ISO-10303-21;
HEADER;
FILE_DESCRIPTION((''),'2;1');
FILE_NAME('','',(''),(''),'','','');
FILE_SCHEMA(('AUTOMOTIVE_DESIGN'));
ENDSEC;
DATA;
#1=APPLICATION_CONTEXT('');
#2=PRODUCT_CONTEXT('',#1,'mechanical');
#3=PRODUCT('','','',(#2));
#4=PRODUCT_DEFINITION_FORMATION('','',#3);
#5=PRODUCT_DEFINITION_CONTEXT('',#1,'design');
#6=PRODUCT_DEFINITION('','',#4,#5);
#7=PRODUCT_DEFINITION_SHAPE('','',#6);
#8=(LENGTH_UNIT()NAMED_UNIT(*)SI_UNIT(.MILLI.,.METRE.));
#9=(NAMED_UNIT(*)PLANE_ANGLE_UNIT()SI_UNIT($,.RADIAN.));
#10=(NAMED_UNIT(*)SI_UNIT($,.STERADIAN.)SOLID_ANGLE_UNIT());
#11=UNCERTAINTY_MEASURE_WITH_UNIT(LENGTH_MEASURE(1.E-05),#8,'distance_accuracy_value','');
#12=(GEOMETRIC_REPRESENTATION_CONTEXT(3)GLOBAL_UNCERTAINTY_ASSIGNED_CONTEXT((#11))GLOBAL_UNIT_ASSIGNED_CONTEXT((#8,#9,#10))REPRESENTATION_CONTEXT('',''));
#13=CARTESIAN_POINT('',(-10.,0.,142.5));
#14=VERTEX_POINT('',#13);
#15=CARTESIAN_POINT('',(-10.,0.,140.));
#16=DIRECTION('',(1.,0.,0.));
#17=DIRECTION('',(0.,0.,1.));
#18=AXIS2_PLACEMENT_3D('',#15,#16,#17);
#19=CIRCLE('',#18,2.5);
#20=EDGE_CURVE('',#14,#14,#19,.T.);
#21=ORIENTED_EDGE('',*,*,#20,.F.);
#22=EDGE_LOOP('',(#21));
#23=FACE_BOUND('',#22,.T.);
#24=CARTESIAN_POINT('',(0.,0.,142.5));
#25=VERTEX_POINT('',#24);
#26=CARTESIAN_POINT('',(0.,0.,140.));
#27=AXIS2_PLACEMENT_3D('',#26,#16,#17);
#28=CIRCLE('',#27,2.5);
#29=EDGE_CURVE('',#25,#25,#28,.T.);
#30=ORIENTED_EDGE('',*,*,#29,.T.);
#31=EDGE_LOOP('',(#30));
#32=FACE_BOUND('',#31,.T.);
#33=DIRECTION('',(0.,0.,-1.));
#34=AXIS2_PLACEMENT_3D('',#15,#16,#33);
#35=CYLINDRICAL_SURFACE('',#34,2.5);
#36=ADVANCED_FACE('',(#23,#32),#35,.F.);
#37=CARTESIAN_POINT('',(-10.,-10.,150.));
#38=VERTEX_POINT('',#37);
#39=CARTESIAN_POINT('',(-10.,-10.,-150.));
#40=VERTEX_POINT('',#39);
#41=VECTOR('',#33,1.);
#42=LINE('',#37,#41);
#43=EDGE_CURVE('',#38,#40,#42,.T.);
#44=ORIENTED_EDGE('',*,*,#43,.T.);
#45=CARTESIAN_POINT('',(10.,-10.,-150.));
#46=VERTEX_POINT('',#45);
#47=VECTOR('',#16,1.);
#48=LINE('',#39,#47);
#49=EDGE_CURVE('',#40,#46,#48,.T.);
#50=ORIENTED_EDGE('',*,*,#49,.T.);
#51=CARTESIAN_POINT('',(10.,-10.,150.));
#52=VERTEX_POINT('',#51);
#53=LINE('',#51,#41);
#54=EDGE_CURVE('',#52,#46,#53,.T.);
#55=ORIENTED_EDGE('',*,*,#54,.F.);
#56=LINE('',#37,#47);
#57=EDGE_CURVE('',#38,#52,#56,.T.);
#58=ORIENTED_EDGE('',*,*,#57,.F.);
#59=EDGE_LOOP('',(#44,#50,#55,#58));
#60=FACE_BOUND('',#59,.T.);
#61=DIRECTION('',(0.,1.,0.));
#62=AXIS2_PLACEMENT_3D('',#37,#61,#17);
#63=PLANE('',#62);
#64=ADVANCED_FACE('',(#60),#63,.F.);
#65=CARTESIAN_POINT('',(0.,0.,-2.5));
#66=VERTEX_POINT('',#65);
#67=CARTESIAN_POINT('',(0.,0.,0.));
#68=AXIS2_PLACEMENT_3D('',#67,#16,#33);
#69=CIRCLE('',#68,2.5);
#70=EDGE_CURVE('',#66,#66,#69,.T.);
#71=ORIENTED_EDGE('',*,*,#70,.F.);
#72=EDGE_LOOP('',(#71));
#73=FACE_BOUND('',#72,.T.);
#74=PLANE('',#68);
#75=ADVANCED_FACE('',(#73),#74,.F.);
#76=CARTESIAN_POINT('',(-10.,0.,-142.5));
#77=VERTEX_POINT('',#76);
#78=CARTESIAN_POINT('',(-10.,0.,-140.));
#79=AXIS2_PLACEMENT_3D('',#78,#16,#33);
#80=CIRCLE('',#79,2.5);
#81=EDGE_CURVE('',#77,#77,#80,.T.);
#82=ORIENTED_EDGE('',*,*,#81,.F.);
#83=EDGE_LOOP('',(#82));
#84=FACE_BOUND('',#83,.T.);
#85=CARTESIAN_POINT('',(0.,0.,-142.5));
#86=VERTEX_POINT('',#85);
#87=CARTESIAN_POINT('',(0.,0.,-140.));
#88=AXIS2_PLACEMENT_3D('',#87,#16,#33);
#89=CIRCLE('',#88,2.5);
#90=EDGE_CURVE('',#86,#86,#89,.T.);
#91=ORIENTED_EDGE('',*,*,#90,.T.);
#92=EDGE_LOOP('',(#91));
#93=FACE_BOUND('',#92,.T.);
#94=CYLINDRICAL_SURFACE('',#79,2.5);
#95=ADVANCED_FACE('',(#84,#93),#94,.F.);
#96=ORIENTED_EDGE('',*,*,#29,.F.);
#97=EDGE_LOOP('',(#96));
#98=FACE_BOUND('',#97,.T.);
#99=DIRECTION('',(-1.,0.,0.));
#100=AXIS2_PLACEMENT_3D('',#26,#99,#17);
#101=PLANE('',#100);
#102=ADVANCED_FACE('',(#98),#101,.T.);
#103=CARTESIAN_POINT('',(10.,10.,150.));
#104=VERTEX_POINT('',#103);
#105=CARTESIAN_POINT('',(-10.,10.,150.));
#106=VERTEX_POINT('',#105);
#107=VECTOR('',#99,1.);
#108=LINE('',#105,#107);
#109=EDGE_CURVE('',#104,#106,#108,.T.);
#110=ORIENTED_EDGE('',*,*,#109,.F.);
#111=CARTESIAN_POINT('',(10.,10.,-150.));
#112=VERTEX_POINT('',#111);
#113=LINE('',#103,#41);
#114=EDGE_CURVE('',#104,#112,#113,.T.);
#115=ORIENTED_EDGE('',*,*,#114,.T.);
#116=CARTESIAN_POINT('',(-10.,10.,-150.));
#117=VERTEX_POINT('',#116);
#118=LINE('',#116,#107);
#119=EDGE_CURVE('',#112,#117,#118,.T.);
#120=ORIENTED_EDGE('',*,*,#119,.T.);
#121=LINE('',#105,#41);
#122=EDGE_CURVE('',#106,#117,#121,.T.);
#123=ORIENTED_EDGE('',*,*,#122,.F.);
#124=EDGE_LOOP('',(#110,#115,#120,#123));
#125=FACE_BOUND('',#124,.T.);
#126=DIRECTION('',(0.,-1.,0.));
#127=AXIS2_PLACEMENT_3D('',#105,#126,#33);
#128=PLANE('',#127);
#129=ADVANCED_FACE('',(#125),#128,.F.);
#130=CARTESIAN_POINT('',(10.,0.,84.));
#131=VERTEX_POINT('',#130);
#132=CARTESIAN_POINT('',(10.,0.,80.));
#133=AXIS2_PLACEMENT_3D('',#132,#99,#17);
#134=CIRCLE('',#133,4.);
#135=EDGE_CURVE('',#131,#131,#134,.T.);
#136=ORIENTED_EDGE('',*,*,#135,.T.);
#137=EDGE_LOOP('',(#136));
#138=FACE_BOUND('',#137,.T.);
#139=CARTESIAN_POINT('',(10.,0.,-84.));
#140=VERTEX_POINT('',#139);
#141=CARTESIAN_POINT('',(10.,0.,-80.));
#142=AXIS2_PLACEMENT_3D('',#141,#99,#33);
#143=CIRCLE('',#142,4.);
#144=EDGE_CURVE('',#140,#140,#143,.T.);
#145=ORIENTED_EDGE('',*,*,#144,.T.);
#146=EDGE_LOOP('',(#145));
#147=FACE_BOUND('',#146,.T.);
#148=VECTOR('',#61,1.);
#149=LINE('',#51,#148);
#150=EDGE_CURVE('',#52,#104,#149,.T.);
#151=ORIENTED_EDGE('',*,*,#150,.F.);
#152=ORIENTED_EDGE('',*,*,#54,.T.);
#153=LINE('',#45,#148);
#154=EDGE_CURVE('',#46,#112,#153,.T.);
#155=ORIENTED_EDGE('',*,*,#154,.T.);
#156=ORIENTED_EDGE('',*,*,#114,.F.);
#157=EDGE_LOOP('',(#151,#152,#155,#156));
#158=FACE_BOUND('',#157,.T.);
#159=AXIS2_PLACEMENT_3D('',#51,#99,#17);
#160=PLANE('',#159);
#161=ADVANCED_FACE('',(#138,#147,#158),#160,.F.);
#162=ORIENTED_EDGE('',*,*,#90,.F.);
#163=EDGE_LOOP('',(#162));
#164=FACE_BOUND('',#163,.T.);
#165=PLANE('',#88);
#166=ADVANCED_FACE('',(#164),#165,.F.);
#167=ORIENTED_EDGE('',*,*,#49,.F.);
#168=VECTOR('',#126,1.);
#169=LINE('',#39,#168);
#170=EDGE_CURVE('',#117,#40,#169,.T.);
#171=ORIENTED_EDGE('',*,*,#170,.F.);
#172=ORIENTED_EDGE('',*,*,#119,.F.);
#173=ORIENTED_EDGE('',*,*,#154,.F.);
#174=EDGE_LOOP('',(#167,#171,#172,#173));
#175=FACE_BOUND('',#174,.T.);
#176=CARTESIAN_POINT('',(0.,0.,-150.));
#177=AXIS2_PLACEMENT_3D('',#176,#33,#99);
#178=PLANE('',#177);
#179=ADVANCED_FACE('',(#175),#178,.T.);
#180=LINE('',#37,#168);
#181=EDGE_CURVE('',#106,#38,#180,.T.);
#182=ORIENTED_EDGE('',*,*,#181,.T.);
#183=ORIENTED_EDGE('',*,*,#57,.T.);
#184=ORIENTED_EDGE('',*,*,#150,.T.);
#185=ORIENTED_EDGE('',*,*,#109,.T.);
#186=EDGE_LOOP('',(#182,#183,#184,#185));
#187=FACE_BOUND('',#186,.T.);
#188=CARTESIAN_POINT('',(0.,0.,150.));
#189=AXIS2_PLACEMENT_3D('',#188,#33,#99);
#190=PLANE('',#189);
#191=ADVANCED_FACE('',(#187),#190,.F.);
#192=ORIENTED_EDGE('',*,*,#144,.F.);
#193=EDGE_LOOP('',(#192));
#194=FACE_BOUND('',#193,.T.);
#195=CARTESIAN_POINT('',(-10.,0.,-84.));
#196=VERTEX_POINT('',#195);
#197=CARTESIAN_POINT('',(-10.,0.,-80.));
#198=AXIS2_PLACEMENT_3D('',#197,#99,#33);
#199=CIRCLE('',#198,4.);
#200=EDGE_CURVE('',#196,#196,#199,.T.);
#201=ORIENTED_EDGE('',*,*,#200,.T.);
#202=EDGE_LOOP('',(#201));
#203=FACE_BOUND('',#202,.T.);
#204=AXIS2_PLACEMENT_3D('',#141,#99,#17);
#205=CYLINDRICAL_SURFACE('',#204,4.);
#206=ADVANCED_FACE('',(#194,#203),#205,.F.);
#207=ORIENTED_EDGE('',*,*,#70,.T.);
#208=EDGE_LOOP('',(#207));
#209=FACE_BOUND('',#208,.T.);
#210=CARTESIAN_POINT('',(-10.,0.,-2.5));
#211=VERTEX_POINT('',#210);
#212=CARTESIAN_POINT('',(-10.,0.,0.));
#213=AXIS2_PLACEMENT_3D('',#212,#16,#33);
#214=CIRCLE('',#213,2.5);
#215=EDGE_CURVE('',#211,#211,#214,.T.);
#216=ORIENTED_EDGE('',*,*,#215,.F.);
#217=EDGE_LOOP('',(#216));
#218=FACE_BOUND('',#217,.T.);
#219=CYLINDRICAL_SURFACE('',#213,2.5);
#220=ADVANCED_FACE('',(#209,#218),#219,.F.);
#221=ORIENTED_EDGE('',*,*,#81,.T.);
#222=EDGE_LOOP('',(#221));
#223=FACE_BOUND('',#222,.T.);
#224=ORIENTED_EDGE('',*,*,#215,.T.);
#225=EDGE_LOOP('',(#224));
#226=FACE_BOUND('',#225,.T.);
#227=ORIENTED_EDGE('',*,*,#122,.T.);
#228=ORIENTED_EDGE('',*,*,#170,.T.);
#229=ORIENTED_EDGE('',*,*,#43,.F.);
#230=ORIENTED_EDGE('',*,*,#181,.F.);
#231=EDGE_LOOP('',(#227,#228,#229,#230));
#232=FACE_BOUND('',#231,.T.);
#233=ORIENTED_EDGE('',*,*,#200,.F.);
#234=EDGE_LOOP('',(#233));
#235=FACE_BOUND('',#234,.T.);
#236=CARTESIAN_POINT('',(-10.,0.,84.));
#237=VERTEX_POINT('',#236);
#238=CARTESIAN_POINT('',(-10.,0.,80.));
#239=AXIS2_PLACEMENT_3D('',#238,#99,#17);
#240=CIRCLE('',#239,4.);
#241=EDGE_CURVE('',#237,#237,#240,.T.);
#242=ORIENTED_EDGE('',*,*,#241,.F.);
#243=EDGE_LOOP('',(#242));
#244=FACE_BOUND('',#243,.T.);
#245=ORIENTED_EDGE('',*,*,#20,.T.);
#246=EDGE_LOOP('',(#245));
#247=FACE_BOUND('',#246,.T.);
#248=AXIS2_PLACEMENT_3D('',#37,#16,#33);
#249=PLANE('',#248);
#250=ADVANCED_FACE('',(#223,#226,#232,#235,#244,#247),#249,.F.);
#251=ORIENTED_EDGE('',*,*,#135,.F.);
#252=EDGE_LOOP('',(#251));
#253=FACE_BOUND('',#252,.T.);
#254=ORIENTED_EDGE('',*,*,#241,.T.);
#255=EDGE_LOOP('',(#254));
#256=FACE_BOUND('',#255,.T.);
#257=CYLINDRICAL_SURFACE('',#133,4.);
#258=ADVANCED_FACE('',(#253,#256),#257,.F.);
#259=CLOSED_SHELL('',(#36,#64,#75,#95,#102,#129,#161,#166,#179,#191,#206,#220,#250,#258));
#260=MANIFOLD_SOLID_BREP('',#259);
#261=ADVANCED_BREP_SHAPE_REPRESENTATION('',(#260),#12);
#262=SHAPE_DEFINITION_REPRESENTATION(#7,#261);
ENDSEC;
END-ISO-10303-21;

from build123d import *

# Parameters (mm, degrees)
CROQUIS1_W              = 20
CROQUIS1_H              = 20
SALIENTE_EXTRUIR1_DEPTH = 150
CROQUIS2_R              = 2.5
CORTAR_EXTRUIR1_DEPTH   = 151.665191733
CROQUIS3_R              = 4
CORTAR_EXTRUIR2_DEPTH   = 152.657508881


with BuildPart() as part:
    # Croquis1 → Saliente-Extruir1 (new, symmetric)
    with BuildSketch(Plane.XY):
        Rectangle(CROQUIS1_W, CROQUIS1_H)
    extrude(amount=SALIENTE_EXTRUIR1_DEPTH, both=True)

    # Croquis2 → Cortar-Extruir1 (cut, through all)
    with BuildSketch(Plane(origin=(0, 0, 0), x_dir=(0, 0, -1), z_dir=(1, 0, 0))):
        Circle(CROQUIS2_R)
        with Locations((140, 0)):
            Circle(CROQUIS2_R)
        with Locations(Location((-140, 0, 0), (0, 0, 180))):
            Circle(CROQUIS2_R)
    extrude(amount=-CORTAR_EXTRUIR1_DEPTH, mode=Mode.SUBTRACT)

    # Croquis3 → Cortar-Extruir2 (cut, through all)
    with BuildSketch(Plane.ZY.offset(10)):
        with Locations((80, 0)):
            Circle(CROQUIS3_R)
        with Locations(Location((-80, 0, 0), (0, 0, 180))):
            Circle(CROQUIS3_R)
    extrude(amount=-CORTAR_EXTRUIR2_DEPTH, mode=Mode.SUBTRACT)


solid = part.part
